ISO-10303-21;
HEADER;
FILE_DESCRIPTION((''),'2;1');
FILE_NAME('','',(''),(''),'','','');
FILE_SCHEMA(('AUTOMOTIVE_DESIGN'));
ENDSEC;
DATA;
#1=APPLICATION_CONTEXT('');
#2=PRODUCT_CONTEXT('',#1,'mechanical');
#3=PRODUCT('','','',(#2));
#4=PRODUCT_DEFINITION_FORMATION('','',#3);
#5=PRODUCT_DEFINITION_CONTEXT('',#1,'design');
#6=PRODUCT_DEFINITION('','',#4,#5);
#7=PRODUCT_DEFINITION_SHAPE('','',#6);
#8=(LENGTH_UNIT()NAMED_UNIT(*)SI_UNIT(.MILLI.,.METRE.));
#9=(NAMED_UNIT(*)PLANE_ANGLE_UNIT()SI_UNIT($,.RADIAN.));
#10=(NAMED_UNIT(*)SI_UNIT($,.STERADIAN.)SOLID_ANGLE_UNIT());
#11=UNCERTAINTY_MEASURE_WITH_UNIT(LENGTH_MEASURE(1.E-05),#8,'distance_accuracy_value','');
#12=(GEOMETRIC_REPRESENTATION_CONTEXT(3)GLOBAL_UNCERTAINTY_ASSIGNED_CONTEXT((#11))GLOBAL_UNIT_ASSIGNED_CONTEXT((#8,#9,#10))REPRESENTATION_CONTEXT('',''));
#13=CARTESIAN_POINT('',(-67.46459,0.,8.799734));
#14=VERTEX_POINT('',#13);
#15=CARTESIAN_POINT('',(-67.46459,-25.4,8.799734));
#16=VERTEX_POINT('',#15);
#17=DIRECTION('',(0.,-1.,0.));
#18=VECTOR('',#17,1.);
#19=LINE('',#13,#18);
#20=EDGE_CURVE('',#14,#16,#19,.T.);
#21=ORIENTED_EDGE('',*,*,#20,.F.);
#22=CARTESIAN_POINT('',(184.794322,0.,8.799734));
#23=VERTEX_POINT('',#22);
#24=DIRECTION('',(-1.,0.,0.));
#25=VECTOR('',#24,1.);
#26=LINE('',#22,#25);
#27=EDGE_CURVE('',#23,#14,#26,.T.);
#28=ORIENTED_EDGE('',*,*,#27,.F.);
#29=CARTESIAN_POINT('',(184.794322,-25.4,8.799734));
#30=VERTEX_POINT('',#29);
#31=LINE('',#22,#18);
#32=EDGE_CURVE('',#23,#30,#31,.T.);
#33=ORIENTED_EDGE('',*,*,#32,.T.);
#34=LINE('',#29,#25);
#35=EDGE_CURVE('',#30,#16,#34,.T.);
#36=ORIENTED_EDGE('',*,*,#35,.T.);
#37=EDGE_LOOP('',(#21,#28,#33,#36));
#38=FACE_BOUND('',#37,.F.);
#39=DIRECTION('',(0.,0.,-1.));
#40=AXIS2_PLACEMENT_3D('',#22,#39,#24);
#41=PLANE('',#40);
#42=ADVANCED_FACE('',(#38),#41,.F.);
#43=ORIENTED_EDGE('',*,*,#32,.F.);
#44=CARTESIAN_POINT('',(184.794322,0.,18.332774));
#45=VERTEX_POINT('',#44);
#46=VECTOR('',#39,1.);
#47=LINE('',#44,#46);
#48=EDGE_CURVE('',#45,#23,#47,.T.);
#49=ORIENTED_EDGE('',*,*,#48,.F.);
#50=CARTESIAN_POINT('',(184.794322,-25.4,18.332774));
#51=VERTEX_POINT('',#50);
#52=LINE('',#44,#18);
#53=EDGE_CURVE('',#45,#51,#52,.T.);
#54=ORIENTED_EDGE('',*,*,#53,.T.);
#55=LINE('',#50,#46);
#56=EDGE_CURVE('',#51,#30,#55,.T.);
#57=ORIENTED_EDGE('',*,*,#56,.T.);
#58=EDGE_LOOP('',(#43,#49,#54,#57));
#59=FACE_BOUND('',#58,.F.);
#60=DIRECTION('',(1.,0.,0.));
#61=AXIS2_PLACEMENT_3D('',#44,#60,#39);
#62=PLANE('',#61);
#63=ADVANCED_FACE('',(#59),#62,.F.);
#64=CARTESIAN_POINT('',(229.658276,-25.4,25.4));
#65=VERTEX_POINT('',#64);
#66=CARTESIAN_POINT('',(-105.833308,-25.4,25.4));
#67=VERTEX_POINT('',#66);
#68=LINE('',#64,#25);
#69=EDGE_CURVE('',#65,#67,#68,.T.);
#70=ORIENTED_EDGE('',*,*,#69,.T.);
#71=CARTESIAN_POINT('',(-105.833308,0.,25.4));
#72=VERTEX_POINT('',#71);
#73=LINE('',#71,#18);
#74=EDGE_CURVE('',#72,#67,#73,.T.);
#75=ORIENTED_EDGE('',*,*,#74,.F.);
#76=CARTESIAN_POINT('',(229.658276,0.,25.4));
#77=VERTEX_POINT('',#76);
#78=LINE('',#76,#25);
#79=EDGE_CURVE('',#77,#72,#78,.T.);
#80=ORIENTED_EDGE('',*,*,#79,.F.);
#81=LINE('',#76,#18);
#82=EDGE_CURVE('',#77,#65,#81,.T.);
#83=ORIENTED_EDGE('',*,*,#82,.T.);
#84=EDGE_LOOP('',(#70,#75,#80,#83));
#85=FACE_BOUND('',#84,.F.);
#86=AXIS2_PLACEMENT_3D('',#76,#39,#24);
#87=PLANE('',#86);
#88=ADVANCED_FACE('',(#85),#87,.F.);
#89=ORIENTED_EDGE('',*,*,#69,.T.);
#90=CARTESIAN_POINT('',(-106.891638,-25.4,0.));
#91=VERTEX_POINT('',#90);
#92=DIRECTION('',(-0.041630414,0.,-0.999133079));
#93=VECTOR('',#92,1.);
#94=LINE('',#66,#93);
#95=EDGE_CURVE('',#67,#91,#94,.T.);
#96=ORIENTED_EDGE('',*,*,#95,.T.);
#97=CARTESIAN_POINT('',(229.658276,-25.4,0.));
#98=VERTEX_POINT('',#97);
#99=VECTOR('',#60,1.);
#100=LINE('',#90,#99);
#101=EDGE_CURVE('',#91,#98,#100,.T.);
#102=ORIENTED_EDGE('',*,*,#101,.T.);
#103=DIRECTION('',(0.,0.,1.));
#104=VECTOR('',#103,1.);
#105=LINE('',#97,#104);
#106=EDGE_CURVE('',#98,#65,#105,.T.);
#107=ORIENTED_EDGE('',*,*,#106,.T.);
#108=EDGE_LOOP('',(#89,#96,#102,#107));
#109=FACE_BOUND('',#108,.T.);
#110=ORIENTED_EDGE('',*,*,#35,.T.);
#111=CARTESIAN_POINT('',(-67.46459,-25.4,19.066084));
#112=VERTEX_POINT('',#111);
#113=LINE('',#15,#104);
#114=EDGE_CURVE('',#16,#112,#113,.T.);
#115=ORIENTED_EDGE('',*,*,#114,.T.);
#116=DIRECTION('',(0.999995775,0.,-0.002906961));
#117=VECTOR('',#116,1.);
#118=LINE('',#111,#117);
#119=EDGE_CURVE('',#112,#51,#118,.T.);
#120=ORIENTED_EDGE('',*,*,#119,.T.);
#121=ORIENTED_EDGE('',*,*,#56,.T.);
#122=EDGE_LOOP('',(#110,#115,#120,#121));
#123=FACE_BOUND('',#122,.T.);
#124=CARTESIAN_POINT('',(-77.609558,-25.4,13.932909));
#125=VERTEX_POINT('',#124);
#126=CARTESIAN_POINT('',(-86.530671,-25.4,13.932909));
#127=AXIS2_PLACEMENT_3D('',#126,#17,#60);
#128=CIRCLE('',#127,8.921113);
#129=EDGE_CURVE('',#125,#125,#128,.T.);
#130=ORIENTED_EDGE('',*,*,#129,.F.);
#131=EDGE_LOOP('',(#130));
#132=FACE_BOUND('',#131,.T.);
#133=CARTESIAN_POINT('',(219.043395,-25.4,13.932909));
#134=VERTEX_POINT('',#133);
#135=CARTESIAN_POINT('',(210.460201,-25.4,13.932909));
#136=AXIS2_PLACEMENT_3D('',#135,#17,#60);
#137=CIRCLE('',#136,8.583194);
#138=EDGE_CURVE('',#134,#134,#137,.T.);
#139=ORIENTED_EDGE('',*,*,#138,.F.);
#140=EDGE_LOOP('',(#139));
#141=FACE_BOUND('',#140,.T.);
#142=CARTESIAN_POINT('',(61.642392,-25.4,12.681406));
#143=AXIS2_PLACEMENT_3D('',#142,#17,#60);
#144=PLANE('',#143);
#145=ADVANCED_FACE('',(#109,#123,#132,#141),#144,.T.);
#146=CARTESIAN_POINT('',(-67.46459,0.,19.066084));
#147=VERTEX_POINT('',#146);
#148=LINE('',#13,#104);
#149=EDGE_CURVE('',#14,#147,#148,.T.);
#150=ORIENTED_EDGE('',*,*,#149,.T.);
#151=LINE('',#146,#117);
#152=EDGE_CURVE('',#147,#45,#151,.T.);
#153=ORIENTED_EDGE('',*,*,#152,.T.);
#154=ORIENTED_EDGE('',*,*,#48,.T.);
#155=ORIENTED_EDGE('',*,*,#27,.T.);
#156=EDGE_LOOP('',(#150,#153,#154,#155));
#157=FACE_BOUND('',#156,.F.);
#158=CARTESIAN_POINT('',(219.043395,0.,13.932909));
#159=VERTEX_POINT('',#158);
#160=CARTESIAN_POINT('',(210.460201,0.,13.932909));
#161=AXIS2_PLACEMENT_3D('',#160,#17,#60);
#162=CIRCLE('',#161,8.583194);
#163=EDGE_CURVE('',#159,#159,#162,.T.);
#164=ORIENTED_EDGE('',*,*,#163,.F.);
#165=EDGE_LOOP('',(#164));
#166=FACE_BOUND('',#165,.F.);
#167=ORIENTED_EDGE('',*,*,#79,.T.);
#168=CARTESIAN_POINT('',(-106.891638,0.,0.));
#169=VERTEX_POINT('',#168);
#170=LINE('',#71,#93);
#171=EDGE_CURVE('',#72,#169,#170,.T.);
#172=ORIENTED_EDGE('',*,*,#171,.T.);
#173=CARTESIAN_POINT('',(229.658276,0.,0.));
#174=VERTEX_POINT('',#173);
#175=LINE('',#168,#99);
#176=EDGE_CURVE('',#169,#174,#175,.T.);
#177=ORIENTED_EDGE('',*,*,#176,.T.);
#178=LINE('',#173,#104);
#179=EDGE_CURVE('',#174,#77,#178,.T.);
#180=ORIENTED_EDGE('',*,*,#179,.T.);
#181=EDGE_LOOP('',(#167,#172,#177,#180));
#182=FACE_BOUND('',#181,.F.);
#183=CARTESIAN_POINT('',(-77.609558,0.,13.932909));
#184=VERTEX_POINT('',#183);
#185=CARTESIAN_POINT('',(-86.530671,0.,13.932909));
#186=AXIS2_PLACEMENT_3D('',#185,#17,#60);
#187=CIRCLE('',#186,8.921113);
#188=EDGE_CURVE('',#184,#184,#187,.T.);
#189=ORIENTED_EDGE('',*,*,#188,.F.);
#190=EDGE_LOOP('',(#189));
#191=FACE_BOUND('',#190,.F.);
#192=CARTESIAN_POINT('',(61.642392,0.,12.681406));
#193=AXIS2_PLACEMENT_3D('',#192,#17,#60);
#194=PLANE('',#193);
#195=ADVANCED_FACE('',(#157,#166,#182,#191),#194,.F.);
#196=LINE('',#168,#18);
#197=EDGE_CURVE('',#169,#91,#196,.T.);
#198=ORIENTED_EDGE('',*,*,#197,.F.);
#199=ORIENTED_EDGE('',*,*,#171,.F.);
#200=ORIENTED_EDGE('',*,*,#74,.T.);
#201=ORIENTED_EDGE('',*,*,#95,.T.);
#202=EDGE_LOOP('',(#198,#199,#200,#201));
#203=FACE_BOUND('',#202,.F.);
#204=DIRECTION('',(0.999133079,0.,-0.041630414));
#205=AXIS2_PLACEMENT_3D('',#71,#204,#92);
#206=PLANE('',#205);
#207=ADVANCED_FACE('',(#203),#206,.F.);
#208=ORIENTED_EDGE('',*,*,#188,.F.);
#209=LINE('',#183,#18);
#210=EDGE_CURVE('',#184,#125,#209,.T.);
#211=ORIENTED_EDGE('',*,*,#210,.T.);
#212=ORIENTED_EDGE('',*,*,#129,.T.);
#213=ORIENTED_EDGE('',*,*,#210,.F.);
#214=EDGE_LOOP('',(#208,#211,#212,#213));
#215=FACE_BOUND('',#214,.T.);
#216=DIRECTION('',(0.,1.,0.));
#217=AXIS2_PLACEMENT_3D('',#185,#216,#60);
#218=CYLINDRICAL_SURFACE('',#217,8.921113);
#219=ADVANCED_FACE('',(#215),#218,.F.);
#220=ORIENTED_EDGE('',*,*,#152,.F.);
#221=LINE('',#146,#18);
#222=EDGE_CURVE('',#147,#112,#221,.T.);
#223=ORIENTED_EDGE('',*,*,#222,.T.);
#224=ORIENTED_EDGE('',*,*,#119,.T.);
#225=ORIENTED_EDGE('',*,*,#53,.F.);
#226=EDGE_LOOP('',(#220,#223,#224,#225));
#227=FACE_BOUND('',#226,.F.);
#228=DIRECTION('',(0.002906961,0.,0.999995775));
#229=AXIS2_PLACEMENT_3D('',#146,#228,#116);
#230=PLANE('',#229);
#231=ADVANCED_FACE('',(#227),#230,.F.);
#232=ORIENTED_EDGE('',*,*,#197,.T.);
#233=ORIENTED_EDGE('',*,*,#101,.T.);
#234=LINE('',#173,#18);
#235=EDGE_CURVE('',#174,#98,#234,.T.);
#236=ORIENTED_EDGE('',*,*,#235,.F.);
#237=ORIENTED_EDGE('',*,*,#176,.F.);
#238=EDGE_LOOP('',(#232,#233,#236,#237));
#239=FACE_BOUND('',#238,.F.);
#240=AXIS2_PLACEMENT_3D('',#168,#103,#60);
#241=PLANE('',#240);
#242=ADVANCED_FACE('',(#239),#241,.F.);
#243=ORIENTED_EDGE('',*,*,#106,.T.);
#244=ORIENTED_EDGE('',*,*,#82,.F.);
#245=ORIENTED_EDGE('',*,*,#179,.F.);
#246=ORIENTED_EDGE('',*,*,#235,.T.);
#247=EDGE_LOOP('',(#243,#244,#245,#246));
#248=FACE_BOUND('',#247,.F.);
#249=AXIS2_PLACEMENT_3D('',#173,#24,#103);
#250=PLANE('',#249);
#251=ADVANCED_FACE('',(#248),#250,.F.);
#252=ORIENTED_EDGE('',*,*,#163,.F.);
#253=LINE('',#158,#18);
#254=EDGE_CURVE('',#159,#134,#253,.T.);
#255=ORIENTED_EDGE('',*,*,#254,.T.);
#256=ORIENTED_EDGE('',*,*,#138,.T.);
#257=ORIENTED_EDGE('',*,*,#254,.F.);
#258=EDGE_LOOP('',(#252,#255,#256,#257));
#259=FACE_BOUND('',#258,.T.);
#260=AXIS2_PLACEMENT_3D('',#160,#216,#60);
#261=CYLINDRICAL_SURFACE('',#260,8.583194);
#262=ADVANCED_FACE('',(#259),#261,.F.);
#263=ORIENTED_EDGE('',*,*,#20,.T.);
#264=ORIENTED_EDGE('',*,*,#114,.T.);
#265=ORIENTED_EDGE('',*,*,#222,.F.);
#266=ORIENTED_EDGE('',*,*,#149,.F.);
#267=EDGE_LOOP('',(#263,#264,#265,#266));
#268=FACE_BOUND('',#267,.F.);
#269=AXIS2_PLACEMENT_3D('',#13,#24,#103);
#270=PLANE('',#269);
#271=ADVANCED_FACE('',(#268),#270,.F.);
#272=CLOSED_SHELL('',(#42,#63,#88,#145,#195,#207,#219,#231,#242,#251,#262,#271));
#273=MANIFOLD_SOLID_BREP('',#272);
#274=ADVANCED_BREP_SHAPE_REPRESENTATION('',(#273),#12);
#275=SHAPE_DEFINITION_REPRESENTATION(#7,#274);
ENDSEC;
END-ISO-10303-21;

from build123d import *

# Parameters (mm, degrees)
F0_R     = 8.921113
F0_R_2   = 8.583194
F1_DEPTH = 25.4


with BuildPart() as f1:
    # F0 (on Front) → F1 (new body)
    with BuildSketch(Plane.XZ):
        Polygon((229.658276, 25.4), (-105.833308, 25.4), (-106.891638, 0), (229.658276, 0), align=None)
        with Locations((-86.530671, 13.932909)):
            Circle(F0_R, mode=Mode.SUBTRACT)
        Polygon((-67.46459, 8.799734), (-67.46459, 19.066084), (184.794322, 18.332774), (184.794322, 8.799734), align=None, mode=Mode.SUBTRACT)
        with Locations((210.460201, 13.932909)):
            Circle(F0_R_2, mode=Mode.SUBTRACT)
    extrude(amount=F1_DEPTH)


solid = f1.part
